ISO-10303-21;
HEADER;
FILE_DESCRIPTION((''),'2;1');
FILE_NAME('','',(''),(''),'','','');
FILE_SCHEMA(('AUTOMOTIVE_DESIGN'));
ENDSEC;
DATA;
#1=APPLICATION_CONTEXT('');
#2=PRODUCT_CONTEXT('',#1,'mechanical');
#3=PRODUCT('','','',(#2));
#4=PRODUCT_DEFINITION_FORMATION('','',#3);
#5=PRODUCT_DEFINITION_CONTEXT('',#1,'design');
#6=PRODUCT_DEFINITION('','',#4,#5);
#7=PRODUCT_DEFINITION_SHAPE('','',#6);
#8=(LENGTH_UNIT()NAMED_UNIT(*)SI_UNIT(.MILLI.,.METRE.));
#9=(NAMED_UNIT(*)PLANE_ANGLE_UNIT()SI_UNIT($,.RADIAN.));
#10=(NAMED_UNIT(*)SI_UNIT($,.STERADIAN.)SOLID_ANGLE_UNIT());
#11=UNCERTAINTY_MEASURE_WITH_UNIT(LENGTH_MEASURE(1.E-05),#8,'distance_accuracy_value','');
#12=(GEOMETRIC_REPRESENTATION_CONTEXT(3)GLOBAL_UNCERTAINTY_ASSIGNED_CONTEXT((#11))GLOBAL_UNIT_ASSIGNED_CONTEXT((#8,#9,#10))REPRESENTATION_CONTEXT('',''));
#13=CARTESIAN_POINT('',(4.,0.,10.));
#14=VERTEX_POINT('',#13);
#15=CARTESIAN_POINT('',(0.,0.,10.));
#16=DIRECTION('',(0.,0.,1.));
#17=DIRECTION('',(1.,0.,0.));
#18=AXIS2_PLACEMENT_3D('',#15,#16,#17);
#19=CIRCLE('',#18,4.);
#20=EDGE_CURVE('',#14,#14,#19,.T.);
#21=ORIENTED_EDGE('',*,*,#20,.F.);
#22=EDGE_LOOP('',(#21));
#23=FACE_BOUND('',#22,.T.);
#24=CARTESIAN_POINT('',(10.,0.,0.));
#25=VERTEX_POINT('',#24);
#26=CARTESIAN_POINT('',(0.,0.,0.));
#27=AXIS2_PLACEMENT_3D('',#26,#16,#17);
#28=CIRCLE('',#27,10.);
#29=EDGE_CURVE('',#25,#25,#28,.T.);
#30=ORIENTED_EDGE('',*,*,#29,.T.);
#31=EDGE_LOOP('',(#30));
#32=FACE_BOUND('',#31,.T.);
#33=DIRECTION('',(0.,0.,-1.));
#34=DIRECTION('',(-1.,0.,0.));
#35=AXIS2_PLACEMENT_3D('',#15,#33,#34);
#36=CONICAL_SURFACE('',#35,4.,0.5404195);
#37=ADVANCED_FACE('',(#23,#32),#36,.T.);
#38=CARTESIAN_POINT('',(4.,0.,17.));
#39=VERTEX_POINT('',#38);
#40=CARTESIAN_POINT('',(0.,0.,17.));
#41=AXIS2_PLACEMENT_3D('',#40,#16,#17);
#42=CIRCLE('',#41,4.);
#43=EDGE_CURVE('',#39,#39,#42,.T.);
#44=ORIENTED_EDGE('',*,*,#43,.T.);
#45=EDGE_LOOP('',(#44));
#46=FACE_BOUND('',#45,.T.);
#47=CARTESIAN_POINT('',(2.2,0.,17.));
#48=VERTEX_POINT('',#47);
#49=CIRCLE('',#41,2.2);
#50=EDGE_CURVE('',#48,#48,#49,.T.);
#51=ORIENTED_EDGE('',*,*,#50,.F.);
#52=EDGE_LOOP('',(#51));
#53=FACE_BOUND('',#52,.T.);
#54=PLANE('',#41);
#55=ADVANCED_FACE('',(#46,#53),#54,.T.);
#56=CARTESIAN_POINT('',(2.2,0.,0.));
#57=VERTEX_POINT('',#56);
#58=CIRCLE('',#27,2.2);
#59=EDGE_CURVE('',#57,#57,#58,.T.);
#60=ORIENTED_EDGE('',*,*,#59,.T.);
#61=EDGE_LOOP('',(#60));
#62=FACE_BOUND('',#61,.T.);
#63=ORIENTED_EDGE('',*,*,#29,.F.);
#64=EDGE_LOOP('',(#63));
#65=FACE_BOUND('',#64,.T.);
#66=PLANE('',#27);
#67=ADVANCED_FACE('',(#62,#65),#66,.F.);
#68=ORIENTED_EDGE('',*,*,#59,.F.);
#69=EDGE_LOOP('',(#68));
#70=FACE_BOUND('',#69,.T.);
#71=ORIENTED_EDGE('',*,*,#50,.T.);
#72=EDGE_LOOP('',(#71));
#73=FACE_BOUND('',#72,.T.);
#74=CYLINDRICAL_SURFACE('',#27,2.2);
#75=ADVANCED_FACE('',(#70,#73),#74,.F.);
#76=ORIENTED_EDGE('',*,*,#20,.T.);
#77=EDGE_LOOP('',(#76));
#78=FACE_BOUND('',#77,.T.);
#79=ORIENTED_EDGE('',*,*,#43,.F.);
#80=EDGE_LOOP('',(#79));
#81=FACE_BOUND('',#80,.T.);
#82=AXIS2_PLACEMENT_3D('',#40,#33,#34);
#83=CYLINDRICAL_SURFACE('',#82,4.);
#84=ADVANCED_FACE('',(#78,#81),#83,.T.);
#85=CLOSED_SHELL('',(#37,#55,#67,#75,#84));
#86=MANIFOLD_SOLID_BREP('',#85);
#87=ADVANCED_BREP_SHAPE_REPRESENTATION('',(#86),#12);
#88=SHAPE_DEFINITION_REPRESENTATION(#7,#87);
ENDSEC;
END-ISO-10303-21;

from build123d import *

# Parameters (mm, degrees)
SKETCH1_R           = 10
BOSS_EXTRUDE1_DEPTH = 10
SKETCH3_R           = 4
BOSS_EXTRUDE2_DEPTH = 7
SKETCH4_R           = 2.2
CUT_EXTRUDE1_DEPTH  = 18


with BuildPart() as part:
    # Sketch1 → Boss-Extrude1 (new body)
    with BuildSketch(Plane.XY):
        Circle(SKETCH1_R)
    extrude(amount=BOSS_EXTRUDE1_DEPTH)

    # Sketch2 → Cut-Revolve2 (revolve, cut)
    with BuildSketch(Plane(origin=(0, 0, 0), x_dir=(0, 0, -1), z_dir=(1, 0, 0))):
        Polygon((0, -10), (-10, -4), (-10, -10), align=None)
    revolve(axis=Axis((0, 0, 10), (0, 0, -1)), mode=Mode.SUBTRACT)

    # Sketch3 → Boss-Extrude2 (add)
    with BuildSketch(Plane.XY.offset(10)):
        Circle(SKETCH3_R)
    extrude(amount=BOSS_EXTRUDE2_DEPTH)

    # Sketch4 → Cut-Extrude1 (cut, through all)
    with BuildSketch(Plane.XY.offset(17)):
        Circle(SKETCH4_R)
    extrude(amount=-CUT_EXTRUDE1_DEPTH, mode=Mode.SUBTRACT)


solid = part.part
